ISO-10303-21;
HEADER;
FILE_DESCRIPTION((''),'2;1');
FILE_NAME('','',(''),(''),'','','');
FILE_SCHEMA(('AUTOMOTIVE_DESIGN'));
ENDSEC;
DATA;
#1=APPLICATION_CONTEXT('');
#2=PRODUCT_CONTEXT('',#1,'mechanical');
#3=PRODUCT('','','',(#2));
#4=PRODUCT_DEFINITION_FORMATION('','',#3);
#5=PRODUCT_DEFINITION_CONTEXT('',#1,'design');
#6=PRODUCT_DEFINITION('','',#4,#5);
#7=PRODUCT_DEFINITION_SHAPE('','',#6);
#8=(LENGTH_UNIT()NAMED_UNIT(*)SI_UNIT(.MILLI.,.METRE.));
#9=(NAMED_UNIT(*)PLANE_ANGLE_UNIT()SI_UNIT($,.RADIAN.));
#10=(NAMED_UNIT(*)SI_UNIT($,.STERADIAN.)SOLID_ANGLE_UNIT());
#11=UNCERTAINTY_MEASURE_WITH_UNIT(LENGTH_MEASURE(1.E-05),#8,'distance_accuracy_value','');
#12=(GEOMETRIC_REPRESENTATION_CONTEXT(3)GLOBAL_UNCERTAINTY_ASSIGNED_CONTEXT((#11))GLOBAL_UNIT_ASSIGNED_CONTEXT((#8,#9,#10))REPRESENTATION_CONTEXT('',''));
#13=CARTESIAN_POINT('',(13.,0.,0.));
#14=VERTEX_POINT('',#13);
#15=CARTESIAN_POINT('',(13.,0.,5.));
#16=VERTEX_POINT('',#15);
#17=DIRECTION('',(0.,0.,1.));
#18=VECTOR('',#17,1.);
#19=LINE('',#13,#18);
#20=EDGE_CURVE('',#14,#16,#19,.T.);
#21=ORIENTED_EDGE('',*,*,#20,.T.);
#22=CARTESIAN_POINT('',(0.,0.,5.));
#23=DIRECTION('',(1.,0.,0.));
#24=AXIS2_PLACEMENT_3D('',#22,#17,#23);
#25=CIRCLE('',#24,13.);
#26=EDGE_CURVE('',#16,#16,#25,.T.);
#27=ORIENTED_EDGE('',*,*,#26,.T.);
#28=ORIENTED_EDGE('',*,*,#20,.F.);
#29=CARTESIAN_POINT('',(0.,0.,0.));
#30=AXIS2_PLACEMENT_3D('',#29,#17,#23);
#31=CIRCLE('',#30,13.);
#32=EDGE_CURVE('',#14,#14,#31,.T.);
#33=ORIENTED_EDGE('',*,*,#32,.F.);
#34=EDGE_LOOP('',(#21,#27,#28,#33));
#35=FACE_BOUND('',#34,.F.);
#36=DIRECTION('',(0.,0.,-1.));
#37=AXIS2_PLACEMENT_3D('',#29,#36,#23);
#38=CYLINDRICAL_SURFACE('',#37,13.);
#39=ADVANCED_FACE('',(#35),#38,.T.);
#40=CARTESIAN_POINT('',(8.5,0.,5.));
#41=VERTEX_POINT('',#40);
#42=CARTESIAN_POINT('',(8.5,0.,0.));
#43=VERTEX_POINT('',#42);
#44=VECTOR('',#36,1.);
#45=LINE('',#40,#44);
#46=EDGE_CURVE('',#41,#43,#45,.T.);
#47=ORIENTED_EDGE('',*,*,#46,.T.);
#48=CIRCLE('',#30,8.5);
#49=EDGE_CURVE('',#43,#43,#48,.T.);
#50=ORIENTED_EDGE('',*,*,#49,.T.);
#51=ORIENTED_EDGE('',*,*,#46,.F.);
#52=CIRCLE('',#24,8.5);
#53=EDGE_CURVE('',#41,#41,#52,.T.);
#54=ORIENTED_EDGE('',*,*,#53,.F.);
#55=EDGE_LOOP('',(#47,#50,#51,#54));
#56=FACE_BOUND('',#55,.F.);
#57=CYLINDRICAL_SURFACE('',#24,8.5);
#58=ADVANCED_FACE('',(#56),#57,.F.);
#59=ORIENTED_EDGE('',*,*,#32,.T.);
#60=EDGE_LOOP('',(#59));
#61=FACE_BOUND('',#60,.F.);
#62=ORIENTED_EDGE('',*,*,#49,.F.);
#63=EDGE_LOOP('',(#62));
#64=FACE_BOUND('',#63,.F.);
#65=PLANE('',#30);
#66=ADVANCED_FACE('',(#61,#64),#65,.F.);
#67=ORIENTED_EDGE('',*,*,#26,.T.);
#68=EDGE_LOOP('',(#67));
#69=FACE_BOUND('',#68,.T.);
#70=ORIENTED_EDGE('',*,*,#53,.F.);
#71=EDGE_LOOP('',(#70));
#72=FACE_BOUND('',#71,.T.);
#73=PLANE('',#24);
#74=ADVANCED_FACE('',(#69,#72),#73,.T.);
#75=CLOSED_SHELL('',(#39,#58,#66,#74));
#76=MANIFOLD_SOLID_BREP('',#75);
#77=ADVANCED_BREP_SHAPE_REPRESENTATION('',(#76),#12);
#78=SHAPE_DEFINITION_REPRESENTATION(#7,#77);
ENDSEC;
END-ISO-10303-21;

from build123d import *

# Parameters (mm, degrees)
SKETCH1_R           = 13
BOSS_EXTRUDE1_DEPTH = 5
SKETCH2_R           = 8.5
CUT_EXTRUDE1_DEPTH  = 5


with BuildPart() as part:
    # Sketch1 → Boss-Extrude1 (new body)
    with BuildSketch(Plane.XY):
        Circle(SKETCH1_R)
    extrude(amount=BOSS_EXTRUDE1_DEPTH)

    # Sketch2 → Cut-Extrude1 (cut)
    with BuildSketch(Plane.XY.offset(5)):
        Circle(SKETCH2_R)
    extrude(amount=-CUT_EXTRUDE1_DEPTH, mode=Mode.SUBTRACT)


solid = part.part
